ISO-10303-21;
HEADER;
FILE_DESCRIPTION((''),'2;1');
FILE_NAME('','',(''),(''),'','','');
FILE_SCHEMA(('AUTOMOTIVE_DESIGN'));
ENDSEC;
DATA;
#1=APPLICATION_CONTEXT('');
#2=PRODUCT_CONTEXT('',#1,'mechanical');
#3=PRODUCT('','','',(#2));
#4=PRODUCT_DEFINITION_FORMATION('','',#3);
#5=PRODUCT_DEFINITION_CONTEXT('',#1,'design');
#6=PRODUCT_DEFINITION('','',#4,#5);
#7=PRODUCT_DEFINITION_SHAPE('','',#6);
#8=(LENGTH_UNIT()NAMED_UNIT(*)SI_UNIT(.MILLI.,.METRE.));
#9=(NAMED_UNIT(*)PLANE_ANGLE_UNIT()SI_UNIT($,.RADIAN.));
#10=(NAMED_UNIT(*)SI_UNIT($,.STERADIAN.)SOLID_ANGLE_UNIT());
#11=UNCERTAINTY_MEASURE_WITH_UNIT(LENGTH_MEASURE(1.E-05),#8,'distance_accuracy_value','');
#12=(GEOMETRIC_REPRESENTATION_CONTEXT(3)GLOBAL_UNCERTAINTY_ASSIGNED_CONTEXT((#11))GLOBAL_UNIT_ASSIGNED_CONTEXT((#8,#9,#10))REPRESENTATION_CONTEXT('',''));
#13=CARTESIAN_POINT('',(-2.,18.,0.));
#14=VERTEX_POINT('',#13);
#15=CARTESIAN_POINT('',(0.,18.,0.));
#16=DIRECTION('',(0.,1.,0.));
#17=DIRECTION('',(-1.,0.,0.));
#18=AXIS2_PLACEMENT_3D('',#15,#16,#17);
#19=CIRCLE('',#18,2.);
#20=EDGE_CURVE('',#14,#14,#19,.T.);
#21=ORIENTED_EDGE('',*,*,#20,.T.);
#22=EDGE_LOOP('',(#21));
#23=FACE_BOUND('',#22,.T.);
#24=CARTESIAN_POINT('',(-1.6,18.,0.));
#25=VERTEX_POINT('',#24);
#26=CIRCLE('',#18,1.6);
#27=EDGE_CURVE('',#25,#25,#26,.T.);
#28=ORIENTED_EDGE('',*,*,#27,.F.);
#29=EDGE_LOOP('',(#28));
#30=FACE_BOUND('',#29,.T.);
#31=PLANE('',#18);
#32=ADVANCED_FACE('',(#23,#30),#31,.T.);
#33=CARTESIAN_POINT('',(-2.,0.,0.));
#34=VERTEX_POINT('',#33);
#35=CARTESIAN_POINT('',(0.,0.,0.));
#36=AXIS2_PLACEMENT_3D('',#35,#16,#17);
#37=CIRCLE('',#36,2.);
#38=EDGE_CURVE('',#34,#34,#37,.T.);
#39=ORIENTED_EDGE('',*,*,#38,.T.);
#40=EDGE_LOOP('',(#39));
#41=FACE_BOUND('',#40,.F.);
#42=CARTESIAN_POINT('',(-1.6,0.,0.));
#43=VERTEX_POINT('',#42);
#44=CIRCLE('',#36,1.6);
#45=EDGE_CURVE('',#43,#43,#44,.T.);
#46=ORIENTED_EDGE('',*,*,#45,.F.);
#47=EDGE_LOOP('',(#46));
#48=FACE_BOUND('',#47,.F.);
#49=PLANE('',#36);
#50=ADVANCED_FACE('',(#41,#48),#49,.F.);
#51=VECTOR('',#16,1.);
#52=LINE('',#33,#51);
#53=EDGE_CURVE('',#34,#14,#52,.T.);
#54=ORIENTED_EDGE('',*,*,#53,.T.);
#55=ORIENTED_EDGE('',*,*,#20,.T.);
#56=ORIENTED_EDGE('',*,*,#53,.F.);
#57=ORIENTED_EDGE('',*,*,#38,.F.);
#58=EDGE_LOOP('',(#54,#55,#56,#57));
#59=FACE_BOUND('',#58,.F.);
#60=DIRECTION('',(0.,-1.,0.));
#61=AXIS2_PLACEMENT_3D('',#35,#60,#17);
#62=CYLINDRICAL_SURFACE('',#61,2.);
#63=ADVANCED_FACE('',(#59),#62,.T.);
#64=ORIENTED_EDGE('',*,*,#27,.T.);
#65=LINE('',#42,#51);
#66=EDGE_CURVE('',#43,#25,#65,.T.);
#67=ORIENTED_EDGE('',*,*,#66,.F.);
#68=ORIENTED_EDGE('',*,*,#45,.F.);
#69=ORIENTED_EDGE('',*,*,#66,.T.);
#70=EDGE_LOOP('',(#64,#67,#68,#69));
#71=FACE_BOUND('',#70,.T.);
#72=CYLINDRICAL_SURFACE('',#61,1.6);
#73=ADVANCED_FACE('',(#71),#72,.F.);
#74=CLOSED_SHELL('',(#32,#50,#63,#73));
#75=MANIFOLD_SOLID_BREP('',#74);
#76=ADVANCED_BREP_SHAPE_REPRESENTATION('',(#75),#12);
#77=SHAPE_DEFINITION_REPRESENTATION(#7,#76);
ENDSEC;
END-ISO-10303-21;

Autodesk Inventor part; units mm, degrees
ref_plane "YZ Plane" through (0, 0, 0) normal (1, 0, 0) x (0, 1, 0)
ref_plane "XZ Plane" through (0, 0, 0) normal (0, 1, 0) x (-1, 0, 0)
ref_plane "XY Plane" through (0, 0, 0) normal (0, 0, 1) x (1, 0, 0)
sketch "Sketch1" plane through (0, 0, 0) normal (0, 1, 0) x (-1, 0, 0)
  circle A0 centre (0, 0) radius 1.6
  circle A1 centre (0, 0) radius 2
  dimension "d0" = 3.2
  dimension "d1" = 4
extrude "Extrusion1" add sketch "Sketch1" along normal blind 18
properties part number "StandardRollerSpacer" material "Stainless Steel"
